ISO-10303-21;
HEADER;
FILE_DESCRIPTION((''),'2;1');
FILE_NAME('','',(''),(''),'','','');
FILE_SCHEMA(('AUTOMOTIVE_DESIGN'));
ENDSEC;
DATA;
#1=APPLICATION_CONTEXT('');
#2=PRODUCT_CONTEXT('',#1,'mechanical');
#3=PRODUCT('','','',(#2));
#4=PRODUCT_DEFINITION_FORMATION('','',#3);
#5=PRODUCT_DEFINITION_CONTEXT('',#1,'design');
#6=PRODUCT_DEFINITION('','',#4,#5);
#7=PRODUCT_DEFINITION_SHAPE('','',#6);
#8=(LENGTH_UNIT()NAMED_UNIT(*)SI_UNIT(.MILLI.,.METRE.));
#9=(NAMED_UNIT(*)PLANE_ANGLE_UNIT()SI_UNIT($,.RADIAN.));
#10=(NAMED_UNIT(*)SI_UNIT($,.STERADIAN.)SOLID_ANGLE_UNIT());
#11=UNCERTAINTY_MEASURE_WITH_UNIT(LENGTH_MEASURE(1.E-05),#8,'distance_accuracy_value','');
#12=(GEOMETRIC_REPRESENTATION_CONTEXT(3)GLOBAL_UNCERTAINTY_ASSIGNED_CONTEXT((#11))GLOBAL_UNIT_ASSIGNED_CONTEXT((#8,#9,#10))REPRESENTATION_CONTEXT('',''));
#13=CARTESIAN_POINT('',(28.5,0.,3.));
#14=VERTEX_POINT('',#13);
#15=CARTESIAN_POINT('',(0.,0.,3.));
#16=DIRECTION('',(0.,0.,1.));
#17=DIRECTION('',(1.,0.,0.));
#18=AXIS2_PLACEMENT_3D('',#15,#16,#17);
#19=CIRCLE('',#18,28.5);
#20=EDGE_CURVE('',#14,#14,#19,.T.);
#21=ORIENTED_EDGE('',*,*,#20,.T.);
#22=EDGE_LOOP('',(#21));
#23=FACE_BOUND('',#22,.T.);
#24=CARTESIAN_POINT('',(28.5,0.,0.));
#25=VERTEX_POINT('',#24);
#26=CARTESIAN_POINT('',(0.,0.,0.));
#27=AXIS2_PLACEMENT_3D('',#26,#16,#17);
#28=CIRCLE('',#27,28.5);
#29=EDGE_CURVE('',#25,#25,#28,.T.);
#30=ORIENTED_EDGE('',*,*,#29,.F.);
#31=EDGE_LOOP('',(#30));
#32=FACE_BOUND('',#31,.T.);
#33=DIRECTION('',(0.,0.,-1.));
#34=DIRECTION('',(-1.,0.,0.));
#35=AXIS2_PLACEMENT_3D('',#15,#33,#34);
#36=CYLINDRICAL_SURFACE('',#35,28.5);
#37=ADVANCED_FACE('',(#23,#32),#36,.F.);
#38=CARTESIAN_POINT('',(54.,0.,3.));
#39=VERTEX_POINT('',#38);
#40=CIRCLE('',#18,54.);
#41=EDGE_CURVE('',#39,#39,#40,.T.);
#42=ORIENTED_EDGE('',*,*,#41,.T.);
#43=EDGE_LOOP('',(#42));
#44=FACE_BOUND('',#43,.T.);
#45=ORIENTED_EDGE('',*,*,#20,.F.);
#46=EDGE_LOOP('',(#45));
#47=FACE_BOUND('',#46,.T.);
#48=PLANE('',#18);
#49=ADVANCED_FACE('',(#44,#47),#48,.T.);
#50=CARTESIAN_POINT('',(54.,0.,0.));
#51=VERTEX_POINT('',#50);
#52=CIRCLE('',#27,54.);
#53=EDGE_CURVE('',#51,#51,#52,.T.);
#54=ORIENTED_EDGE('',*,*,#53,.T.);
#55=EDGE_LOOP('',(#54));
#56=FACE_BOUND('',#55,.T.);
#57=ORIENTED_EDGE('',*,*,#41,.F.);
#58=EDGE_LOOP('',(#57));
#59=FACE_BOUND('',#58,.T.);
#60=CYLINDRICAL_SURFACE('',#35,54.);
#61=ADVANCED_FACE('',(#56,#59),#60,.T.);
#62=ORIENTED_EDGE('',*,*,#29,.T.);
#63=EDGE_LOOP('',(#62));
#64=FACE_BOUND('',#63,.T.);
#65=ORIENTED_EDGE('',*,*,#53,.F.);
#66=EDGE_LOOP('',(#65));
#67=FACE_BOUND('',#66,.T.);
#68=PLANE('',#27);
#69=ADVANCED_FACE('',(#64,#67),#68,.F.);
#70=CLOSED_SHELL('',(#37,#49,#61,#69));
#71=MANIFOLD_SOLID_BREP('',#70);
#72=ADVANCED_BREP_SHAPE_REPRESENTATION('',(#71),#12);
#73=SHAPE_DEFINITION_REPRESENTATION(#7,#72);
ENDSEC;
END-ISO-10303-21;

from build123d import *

# Parameters (mm, degrees)
SKETCH_1_R      = 54
SKETCH_1_R_2    = 28.5
EXTRUDE_1_DEPTH = 3


with BuildPart() as part:
    # Эскиз1 → Вытянуть1 (new body)
    with BuildSketch(Plane.XY):
        Circle(SKETCH_1_R)
        Circle(SKETCH_1_R_2, mode=Mode.SUBTRACT)
    extrude(amount=EXTRUDE_1_DEPTH)


solid = part.part
